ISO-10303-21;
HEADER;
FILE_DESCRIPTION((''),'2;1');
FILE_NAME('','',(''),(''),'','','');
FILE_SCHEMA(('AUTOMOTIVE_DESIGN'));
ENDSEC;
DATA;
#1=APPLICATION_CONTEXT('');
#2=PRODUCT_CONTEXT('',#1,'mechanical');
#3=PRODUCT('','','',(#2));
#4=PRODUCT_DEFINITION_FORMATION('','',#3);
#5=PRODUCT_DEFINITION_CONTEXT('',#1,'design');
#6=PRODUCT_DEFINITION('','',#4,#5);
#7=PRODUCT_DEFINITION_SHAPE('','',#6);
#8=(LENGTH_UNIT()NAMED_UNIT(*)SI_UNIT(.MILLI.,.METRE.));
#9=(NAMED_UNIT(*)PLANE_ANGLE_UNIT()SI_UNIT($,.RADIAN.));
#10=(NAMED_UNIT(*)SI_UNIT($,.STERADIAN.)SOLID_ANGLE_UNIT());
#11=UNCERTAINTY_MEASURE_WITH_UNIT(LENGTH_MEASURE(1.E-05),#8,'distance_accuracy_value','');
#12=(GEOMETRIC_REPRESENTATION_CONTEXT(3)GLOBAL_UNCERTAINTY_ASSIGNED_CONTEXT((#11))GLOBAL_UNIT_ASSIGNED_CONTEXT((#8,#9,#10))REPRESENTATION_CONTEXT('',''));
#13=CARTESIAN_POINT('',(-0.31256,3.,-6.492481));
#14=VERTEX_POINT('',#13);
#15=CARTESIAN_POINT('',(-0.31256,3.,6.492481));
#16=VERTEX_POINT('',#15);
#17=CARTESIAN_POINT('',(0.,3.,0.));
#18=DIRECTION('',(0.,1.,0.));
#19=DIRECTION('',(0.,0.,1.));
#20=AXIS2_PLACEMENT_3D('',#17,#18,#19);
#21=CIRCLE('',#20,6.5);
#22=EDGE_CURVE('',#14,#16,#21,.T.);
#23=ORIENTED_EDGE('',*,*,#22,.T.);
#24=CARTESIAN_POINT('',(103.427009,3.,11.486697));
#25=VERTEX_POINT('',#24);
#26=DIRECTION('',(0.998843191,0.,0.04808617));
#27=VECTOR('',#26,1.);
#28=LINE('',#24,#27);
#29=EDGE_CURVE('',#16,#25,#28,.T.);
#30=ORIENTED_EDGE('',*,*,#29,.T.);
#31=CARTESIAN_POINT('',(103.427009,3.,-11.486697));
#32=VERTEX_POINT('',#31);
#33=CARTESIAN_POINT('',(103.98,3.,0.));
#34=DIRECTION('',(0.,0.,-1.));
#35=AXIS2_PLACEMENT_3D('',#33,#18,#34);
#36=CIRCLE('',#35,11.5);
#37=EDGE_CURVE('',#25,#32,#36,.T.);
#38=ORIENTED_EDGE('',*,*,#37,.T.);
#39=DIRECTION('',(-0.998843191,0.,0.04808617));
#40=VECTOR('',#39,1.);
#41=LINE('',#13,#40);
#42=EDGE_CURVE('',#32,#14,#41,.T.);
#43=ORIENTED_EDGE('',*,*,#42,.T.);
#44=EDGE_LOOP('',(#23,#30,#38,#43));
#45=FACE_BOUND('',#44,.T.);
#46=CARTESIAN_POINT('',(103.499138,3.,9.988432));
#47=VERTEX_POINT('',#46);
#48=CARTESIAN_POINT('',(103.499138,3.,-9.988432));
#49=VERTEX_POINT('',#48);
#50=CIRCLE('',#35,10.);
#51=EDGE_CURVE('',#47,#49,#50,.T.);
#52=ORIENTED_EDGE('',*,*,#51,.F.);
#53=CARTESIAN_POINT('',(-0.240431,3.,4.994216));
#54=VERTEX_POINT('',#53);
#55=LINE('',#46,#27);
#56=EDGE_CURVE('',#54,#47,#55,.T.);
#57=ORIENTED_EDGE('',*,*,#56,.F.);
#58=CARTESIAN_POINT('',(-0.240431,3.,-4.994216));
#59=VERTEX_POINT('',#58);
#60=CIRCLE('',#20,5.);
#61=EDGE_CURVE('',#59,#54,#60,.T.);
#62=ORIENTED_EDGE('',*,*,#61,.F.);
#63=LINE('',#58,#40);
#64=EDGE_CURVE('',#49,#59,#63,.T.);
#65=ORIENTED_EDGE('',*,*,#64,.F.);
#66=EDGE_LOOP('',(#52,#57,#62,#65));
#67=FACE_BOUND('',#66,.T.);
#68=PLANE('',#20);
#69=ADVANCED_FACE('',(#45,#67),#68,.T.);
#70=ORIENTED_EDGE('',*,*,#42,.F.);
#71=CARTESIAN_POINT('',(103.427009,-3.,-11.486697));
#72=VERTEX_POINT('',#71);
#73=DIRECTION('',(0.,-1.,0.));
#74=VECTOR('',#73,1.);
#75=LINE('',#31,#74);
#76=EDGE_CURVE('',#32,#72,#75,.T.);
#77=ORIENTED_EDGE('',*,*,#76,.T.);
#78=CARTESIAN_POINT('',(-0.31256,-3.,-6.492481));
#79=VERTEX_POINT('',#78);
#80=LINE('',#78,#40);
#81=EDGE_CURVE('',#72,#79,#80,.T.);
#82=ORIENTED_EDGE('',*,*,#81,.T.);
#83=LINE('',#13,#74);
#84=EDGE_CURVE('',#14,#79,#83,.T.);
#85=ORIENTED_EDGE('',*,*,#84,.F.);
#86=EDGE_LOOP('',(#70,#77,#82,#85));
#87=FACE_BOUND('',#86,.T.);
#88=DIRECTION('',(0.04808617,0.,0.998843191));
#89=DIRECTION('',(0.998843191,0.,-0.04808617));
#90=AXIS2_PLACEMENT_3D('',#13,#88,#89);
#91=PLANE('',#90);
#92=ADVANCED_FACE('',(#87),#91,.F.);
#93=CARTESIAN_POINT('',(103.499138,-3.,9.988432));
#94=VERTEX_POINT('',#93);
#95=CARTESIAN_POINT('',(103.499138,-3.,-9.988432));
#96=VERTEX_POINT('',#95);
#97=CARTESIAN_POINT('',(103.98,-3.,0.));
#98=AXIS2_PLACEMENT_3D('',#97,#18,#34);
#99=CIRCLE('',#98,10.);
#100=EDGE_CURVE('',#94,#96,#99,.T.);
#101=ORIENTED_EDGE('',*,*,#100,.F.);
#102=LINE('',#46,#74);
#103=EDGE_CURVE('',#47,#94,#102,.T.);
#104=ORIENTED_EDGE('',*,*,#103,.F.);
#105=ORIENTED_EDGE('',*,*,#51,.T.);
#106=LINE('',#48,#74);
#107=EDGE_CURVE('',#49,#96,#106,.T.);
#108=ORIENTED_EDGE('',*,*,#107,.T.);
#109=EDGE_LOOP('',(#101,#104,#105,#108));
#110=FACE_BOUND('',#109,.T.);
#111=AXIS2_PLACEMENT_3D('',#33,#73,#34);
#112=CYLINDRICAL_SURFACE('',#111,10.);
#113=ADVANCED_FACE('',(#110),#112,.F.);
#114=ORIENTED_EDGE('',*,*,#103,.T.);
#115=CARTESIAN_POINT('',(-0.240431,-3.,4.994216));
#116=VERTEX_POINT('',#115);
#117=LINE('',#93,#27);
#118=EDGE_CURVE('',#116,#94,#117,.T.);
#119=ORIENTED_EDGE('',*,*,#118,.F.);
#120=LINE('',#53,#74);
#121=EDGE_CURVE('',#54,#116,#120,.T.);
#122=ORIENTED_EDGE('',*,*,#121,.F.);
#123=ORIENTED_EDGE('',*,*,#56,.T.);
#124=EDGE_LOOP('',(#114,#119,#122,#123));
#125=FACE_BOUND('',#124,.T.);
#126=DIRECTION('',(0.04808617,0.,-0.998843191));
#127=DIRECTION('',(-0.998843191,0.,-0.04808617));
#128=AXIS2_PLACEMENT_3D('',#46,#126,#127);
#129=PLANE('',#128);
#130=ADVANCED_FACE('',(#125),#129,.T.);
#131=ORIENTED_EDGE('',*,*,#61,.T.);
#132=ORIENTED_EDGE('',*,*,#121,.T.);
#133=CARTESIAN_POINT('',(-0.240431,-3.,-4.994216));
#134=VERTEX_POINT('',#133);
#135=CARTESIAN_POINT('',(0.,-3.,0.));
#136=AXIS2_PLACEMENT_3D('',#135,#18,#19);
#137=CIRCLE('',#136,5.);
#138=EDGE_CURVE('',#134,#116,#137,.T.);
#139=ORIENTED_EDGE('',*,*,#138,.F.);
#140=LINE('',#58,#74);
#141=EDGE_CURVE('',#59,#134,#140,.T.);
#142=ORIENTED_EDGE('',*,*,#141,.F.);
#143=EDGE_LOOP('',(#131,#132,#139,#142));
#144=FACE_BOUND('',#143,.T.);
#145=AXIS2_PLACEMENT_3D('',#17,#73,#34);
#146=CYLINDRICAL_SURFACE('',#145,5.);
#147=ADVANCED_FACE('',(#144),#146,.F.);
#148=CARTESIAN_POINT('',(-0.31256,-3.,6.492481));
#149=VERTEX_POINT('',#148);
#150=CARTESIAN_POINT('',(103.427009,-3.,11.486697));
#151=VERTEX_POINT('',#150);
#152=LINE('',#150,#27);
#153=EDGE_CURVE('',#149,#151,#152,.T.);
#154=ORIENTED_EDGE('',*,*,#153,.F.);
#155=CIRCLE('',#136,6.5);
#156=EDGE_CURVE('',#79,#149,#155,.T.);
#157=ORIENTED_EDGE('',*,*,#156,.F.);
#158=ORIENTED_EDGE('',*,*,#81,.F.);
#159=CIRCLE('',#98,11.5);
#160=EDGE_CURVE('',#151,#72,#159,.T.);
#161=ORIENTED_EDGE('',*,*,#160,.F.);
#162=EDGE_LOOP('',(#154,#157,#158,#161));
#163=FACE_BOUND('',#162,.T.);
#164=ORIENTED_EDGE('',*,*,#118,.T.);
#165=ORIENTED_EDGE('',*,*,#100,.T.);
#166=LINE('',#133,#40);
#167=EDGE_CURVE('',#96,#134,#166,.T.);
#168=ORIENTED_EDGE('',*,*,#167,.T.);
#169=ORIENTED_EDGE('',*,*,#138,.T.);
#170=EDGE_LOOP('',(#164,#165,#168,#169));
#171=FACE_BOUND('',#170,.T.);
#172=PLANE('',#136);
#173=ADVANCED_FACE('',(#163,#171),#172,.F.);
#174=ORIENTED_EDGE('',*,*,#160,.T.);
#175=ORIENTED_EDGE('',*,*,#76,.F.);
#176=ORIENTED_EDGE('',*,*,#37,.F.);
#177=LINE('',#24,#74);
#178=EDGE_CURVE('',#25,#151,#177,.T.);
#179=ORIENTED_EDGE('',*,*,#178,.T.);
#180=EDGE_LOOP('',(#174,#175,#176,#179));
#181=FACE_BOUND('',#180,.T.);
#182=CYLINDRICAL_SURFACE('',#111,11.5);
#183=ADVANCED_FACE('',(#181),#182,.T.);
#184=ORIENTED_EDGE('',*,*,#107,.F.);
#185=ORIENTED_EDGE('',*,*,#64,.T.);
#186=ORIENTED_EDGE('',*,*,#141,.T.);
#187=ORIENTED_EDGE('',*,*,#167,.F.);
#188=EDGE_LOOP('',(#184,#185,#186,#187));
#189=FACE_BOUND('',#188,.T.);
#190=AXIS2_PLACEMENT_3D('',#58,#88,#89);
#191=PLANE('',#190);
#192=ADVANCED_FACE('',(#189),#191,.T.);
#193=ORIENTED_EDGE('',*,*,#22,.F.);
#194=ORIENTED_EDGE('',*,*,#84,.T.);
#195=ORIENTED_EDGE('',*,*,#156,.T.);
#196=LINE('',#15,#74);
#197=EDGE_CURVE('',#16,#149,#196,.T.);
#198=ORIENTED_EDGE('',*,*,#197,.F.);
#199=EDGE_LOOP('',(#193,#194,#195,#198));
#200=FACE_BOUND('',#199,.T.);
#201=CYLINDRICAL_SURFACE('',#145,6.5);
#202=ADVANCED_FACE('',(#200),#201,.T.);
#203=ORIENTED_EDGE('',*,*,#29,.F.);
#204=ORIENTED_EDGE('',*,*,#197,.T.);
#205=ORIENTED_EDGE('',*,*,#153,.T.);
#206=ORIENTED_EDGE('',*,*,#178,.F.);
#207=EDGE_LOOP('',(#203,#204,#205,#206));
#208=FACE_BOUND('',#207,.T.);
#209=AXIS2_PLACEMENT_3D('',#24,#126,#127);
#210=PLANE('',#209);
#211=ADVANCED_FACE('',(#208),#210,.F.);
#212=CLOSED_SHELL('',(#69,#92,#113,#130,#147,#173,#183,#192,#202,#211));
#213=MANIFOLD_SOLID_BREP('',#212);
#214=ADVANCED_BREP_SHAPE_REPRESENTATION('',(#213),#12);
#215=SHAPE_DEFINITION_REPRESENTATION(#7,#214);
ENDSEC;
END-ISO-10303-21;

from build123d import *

# Parameters (mm, degrees)
BOSS_EXTRUDE1_DEPTH = 3


with BuildPart() as part:
    # Sketch1 → Boss-Extrude1 (new, symmetric)
    with BuildSketch(Plane(origin=(0, 0, 0), x_dir=(1, 0, 0), z_dir=(0, 1, 0))):
        with BuildLine():
            Line((-0.312560108, 6.492480742), (103.42700904, 11.486696697))
            ThreePointArc((103.42700904, 11.486696697), (115.48, 0), (103.42700904, -11.486696697))
            Line((103.42700904, -11.486696697), (-0.312560108, -6.492480742))
            ThreePointArc((-0.312560108, -6.492480742), (-6.5, 0), (-0.312560108, 6.492480742))
        make_face()
        with BuildLine():
            Line((-0.240430852, 4.994215955), (103.499138296, 9.98843191))
            ThreePointArc((103.499138296, 9.98843191), (113.98, 0), (103.499138296, -9.98843191))
            Line((103.499138296, -9.98843191), (-0.240430852, -4.994215955))
            ThreePointArc((-0.240430852, -4.994215955), (-5, 0), (-0.240430852, 4.994215955))
        make_face(mode=Mode.SUBTRACT)
    extrude(amount=BOSS_EXTRUDE1_DEPTH, both=True)


solid = part.part
